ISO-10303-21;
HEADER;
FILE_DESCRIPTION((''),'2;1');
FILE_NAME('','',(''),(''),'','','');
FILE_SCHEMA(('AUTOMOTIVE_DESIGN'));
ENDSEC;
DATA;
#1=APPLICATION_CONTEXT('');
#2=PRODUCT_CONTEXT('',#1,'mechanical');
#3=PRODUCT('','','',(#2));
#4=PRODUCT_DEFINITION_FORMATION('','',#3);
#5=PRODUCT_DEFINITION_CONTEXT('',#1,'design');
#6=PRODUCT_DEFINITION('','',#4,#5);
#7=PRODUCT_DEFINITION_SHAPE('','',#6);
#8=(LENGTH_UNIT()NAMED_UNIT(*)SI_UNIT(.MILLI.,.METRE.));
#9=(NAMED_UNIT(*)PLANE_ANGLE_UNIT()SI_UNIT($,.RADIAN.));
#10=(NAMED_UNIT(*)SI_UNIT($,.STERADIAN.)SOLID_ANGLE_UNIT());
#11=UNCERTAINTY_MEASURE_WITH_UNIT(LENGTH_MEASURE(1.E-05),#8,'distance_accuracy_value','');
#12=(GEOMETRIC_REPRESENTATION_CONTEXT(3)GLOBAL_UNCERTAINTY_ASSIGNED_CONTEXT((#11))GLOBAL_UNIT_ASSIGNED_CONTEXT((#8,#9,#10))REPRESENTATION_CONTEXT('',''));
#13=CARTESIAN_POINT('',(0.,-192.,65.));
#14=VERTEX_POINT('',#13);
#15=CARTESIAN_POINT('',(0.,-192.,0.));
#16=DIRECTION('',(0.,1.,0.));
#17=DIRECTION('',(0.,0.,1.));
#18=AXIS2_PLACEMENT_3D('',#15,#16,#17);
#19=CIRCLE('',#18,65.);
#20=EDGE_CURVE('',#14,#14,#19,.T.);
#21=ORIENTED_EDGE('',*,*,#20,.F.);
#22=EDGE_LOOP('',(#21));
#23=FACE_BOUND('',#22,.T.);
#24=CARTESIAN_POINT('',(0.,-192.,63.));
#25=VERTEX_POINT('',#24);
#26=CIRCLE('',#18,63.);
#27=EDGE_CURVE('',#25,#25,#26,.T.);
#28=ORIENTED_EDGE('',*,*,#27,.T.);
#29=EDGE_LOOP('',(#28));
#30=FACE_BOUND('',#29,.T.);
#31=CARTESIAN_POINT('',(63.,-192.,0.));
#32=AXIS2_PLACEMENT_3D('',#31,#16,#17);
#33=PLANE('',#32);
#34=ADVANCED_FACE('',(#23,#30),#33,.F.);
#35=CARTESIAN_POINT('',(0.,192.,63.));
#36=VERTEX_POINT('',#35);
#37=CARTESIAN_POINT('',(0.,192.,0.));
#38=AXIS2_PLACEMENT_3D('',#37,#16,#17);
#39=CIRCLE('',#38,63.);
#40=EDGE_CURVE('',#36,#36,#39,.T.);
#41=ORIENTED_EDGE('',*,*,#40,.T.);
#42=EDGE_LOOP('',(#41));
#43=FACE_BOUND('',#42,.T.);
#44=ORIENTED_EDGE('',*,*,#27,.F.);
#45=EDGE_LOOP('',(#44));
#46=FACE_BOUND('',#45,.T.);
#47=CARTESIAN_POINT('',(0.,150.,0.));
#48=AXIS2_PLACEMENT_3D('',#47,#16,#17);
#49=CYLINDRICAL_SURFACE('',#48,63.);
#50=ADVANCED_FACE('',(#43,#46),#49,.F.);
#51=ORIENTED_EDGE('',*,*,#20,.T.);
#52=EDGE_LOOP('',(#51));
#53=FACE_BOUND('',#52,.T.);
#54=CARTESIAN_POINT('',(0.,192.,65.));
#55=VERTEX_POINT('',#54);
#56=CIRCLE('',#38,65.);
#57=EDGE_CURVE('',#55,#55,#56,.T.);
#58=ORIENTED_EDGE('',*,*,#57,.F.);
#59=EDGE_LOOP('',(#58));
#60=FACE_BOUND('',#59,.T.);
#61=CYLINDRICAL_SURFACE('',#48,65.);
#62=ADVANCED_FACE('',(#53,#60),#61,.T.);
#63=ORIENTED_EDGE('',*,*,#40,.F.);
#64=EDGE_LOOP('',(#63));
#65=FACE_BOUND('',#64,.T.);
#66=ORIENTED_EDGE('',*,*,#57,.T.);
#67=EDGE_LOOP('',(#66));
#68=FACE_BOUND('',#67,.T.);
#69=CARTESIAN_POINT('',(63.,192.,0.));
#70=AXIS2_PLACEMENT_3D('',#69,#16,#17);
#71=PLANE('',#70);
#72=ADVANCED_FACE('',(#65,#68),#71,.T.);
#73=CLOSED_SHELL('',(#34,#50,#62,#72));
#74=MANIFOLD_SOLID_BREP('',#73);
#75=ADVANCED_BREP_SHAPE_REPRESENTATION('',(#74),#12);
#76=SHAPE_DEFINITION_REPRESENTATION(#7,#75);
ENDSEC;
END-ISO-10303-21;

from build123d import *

# Parameters (mm, degrees)
SZKIC1_W = 2
SZKIC1_H = 384


with BuildPart() as part:
    # Szkic1 → Obrót1 (revolve)
    with BuildSketch(Plane.XY, mode=Mode.PRIVATE) as obr_t1_sk:
        with Locations((64, 0)):
            Rectangle(SZKIC1_W, SZKIC1_H)
    revolve(obr_t1_sk.sketch.rotate(Axis((0, 150, 0), (0, -1, 0)), 90), axis=Axis((0, 150, 0), (0, -1, 0)))


solid = part.part
